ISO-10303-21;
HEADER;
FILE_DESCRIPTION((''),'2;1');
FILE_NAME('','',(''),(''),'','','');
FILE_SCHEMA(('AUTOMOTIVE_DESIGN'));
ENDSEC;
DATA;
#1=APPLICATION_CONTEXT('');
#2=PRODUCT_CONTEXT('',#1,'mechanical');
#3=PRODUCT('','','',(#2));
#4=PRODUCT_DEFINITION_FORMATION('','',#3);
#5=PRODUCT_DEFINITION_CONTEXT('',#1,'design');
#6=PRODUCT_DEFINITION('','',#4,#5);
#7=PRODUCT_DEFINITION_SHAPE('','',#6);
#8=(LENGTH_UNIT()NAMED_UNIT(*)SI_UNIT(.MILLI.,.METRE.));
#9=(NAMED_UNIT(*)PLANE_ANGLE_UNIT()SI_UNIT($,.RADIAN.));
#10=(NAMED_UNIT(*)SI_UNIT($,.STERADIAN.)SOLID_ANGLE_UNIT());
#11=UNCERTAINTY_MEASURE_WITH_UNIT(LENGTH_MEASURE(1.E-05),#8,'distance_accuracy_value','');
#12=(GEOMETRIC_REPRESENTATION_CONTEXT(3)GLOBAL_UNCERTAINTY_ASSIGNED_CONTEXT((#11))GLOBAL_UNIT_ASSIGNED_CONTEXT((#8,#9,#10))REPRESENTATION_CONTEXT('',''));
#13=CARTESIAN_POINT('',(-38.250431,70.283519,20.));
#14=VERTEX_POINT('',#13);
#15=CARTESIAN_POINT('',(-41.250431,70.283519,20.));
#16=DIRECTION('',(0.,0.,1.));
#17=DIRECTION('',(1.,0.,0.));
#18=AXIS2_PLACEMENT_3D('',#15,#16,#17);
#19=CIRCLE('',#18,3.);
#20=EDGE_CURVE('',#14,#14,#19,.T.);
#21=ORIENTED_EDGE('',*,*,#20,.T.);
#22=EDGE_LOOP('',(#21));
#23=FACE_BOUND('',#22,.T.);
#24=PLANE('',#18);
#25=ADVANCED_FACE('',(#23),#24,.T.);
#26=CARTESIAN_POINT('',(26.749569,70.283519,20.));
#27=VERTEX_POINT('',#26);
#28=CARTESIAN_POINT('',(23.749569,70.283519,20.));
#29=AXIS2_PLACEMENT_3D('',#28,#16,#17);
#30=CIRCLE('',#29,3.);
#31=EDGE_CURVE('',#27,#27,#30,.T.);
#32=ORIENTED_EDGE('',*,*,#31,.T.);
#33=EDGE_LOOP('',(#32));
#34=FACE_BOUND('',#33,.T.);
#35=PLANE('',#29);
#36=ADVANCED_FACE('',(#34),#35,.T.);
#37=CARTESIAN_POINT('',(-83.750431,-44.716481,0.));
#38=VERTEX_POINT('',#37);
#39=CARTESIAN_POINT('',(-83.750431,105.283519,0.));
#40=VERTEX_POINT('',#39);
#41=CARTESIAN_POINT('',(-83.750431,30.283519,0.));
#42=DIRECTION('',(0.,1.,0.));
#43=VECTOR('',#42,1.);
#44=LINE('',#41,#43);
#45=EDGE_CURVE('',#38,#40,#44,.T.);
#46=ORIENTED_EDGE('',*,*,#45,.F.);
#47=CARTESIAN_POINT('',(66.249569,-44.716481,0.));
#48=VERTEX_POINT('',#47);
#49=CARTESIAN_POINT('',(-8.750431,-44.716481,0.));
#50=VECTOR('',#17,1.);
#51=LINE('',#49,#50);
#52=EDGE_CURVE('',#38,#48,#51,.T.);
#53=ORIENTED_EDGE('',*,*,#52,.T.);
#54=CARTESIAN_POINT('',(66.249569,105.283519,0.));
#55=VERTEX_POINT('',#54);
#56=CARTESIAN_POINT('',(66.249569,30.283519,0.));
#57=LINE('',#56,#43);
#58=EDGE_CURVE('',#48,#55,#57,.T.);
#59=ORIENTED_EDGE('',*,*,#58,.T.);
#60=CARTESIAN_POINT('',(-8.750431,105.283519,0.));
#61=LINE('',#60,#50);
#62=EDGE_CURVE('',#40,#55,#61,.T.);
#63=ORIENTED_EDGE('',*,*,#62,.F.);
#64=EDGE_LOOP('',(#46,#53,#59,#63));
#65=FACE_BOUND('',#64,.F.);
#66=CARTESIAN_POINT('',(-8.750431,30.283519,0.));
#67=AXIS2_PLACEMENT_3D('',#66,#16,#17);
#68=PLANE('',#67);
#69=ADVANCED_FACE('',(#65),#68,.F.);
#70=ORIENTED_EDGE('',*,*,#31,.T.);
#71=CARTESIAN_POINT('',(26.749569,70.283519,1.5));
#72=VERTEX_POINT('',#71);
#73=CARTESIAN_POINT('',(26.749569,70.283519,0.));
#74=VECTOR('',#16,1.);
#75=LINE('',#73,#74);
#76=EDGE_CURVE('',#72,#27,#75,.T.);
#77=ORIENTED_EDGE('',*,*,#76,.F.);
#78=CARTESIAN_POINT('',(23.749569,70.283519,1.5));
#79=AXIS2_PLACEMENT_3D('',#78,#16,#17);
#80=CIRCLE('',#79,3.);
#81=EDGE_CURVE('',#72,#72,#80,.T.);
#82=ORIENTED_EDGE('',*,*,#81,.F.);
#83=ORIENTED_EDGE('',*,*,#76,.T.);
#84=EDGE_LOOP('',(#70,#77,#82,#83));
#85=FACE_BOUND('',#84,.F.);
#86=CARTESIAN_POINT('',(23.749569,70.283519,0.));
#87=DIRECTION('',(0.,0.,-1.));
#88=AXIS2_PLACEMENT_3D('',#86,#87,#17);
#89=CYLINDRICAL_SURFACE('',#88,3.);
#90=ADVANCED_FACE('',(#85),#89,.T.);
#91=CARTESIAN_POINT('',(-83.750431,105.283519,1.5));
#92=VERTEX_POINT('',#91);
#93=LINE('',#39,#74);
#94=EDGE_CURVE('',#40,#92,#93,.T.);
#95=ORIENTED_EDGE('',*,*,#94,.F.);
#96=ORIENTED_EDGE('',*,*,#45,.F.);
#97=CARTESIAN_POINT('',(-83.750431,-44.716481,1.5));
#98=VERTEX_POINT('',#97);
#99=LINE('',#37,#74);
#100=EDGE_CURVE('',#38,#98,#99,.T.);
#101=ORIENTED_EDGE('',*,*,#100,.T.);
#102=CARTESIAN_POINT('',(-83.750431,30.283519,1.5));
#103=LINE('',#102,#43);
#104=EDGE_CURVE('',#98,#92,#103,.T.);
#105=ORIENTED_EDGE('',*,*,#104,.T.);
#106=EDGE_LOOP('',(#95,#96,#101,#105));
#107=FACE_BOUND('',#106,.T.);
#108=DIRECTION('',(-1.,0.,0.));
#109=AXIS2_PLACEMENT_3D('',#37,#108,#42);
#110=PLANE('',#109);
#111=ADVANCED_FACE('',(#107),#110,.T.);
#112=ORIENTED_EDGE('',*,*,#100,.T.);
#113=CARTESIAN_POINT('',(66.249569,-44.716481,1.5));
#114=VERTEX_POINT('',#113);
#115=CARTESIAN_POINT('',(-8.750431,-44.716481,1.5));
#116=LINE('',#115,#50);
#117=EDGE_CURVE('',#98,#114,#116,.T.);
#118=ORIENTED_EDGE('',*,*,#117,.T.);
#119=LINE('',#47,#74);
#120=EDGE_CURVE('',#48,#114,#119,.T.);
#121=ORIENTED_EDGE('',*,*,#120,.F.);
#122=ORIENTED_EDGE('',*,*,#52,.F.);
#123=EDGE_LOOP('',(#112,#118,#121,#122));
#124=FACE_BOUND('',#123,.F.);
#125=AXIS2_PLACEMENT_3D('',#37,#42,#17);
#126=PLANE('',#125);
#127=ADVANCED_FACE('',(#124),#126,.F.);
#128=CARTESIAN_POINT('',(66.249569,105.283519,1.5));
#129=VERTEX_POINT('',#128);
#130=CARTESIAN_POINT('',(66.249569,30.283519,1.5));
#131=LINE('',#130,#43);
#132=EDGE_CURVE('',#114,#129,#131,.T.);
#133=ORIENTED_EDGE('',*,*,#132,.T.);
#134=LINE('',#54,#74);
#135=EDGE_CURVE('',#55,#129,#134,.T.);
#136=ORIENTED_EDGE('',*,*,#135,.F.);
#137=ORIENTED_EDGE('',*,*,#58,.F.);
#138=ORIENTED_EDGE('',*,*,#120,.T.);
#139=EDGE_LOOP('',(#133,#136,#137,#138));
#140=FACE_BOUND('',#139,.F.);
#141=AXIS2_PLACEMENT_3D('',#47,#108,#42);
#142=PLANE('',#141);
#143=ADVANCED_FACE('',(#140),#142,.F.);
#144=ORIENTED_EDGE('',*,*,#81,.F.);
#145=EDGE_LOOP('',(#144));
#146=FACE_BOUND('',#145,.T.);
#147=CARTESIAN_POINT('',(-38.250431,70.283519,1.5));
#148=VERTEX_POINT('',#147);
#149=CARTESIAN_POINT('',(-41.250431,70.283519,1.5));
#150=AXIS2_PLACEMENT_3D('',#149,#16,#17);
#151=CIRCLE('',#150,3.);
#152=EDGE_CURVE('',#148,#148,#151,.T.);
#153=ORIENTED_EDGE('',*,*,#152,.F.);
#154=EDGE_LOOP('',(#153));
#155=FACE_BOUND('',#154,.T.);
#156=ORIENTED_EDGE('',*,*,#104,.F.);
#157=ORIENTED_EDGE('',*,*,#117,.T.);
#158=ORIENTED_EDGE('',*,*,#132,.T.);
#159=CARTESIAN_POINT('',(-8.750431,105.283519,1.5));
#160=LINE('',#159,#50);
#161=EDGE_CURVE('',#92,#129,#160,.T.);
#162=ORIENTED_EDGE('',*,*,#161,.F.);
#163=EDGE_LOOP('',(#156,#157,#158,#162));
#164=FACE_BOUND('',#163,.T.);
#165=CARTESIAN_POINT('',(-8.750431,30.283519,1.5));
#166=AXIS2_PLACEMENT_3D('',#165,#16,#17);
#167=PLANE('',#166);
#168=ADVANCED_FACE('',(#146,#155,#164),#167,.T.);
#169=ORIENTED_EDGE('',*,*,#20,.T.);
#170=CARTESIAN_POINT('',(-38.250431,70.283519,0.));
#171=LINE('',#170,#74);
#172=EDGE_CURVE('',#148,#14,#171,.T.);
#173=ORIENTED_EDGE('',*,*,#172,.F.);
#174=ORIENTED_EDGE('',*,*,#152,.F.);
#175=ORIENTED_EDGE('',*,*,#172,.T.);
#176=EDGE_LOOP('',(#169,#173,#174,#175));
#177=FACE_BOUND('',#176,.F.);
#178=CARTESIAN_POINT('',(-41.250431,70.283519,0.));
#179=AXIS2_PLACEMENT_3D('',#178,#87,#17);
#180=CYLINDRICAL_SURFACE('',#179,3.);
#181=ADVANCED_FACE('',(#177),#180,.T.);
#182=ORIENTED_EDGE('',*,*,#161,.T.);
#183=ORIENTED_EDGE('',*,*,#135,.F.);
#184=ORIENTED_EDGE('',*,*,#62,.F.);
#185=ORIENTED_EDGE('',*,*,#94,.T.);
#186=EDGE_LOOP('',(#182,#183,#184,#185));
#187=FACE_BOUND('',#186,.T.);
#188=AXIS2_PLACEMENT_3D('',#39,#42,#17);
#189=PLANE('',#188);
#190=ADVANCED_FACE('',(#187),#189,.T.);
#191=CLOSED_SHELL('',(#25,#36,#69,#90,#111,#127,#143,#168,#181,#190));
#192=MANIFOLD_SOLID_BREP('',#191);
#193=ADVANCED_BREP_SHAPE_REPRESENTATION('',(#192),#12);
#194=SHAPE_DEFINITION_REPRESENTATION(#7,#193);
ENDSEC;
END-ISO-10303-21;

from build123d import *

# Parameters (mm, degrees)
F0_W     = 150
F0_H     = 150
F0_R     = 3
F1_DEPTH = 1.5
F2_DEPTH = 20


with BuildPart() as f1:
    # F0 (on Top) → F1 (new body)
    with BuildSketch(Plane.XY):
        with Locations((-8.750431, 30.283519)):
            Rectangle(F0_W, F0_H)
        with Locations((-41.250431, 70.283519)):
            Circle(F0_R, mode=Mode.SUBTRACT)
        with Locations((23.749569, 70.283519)):
            Circle(F0_R, mode=Mode.SUBTRACT)
    extrude(amount=F1_DEPTH)

    # F0 (on Top) → F2 (join)
    with BuildSketch(Plane.XY):
        with Locations((-41.250431, 70.283519)):
            Circle(F0_R)
        with Locations((23.749569, 70.283519)):
            Circle(F0_R)
    extrude(amount=F2_DEPTH)


solid = f1.part
